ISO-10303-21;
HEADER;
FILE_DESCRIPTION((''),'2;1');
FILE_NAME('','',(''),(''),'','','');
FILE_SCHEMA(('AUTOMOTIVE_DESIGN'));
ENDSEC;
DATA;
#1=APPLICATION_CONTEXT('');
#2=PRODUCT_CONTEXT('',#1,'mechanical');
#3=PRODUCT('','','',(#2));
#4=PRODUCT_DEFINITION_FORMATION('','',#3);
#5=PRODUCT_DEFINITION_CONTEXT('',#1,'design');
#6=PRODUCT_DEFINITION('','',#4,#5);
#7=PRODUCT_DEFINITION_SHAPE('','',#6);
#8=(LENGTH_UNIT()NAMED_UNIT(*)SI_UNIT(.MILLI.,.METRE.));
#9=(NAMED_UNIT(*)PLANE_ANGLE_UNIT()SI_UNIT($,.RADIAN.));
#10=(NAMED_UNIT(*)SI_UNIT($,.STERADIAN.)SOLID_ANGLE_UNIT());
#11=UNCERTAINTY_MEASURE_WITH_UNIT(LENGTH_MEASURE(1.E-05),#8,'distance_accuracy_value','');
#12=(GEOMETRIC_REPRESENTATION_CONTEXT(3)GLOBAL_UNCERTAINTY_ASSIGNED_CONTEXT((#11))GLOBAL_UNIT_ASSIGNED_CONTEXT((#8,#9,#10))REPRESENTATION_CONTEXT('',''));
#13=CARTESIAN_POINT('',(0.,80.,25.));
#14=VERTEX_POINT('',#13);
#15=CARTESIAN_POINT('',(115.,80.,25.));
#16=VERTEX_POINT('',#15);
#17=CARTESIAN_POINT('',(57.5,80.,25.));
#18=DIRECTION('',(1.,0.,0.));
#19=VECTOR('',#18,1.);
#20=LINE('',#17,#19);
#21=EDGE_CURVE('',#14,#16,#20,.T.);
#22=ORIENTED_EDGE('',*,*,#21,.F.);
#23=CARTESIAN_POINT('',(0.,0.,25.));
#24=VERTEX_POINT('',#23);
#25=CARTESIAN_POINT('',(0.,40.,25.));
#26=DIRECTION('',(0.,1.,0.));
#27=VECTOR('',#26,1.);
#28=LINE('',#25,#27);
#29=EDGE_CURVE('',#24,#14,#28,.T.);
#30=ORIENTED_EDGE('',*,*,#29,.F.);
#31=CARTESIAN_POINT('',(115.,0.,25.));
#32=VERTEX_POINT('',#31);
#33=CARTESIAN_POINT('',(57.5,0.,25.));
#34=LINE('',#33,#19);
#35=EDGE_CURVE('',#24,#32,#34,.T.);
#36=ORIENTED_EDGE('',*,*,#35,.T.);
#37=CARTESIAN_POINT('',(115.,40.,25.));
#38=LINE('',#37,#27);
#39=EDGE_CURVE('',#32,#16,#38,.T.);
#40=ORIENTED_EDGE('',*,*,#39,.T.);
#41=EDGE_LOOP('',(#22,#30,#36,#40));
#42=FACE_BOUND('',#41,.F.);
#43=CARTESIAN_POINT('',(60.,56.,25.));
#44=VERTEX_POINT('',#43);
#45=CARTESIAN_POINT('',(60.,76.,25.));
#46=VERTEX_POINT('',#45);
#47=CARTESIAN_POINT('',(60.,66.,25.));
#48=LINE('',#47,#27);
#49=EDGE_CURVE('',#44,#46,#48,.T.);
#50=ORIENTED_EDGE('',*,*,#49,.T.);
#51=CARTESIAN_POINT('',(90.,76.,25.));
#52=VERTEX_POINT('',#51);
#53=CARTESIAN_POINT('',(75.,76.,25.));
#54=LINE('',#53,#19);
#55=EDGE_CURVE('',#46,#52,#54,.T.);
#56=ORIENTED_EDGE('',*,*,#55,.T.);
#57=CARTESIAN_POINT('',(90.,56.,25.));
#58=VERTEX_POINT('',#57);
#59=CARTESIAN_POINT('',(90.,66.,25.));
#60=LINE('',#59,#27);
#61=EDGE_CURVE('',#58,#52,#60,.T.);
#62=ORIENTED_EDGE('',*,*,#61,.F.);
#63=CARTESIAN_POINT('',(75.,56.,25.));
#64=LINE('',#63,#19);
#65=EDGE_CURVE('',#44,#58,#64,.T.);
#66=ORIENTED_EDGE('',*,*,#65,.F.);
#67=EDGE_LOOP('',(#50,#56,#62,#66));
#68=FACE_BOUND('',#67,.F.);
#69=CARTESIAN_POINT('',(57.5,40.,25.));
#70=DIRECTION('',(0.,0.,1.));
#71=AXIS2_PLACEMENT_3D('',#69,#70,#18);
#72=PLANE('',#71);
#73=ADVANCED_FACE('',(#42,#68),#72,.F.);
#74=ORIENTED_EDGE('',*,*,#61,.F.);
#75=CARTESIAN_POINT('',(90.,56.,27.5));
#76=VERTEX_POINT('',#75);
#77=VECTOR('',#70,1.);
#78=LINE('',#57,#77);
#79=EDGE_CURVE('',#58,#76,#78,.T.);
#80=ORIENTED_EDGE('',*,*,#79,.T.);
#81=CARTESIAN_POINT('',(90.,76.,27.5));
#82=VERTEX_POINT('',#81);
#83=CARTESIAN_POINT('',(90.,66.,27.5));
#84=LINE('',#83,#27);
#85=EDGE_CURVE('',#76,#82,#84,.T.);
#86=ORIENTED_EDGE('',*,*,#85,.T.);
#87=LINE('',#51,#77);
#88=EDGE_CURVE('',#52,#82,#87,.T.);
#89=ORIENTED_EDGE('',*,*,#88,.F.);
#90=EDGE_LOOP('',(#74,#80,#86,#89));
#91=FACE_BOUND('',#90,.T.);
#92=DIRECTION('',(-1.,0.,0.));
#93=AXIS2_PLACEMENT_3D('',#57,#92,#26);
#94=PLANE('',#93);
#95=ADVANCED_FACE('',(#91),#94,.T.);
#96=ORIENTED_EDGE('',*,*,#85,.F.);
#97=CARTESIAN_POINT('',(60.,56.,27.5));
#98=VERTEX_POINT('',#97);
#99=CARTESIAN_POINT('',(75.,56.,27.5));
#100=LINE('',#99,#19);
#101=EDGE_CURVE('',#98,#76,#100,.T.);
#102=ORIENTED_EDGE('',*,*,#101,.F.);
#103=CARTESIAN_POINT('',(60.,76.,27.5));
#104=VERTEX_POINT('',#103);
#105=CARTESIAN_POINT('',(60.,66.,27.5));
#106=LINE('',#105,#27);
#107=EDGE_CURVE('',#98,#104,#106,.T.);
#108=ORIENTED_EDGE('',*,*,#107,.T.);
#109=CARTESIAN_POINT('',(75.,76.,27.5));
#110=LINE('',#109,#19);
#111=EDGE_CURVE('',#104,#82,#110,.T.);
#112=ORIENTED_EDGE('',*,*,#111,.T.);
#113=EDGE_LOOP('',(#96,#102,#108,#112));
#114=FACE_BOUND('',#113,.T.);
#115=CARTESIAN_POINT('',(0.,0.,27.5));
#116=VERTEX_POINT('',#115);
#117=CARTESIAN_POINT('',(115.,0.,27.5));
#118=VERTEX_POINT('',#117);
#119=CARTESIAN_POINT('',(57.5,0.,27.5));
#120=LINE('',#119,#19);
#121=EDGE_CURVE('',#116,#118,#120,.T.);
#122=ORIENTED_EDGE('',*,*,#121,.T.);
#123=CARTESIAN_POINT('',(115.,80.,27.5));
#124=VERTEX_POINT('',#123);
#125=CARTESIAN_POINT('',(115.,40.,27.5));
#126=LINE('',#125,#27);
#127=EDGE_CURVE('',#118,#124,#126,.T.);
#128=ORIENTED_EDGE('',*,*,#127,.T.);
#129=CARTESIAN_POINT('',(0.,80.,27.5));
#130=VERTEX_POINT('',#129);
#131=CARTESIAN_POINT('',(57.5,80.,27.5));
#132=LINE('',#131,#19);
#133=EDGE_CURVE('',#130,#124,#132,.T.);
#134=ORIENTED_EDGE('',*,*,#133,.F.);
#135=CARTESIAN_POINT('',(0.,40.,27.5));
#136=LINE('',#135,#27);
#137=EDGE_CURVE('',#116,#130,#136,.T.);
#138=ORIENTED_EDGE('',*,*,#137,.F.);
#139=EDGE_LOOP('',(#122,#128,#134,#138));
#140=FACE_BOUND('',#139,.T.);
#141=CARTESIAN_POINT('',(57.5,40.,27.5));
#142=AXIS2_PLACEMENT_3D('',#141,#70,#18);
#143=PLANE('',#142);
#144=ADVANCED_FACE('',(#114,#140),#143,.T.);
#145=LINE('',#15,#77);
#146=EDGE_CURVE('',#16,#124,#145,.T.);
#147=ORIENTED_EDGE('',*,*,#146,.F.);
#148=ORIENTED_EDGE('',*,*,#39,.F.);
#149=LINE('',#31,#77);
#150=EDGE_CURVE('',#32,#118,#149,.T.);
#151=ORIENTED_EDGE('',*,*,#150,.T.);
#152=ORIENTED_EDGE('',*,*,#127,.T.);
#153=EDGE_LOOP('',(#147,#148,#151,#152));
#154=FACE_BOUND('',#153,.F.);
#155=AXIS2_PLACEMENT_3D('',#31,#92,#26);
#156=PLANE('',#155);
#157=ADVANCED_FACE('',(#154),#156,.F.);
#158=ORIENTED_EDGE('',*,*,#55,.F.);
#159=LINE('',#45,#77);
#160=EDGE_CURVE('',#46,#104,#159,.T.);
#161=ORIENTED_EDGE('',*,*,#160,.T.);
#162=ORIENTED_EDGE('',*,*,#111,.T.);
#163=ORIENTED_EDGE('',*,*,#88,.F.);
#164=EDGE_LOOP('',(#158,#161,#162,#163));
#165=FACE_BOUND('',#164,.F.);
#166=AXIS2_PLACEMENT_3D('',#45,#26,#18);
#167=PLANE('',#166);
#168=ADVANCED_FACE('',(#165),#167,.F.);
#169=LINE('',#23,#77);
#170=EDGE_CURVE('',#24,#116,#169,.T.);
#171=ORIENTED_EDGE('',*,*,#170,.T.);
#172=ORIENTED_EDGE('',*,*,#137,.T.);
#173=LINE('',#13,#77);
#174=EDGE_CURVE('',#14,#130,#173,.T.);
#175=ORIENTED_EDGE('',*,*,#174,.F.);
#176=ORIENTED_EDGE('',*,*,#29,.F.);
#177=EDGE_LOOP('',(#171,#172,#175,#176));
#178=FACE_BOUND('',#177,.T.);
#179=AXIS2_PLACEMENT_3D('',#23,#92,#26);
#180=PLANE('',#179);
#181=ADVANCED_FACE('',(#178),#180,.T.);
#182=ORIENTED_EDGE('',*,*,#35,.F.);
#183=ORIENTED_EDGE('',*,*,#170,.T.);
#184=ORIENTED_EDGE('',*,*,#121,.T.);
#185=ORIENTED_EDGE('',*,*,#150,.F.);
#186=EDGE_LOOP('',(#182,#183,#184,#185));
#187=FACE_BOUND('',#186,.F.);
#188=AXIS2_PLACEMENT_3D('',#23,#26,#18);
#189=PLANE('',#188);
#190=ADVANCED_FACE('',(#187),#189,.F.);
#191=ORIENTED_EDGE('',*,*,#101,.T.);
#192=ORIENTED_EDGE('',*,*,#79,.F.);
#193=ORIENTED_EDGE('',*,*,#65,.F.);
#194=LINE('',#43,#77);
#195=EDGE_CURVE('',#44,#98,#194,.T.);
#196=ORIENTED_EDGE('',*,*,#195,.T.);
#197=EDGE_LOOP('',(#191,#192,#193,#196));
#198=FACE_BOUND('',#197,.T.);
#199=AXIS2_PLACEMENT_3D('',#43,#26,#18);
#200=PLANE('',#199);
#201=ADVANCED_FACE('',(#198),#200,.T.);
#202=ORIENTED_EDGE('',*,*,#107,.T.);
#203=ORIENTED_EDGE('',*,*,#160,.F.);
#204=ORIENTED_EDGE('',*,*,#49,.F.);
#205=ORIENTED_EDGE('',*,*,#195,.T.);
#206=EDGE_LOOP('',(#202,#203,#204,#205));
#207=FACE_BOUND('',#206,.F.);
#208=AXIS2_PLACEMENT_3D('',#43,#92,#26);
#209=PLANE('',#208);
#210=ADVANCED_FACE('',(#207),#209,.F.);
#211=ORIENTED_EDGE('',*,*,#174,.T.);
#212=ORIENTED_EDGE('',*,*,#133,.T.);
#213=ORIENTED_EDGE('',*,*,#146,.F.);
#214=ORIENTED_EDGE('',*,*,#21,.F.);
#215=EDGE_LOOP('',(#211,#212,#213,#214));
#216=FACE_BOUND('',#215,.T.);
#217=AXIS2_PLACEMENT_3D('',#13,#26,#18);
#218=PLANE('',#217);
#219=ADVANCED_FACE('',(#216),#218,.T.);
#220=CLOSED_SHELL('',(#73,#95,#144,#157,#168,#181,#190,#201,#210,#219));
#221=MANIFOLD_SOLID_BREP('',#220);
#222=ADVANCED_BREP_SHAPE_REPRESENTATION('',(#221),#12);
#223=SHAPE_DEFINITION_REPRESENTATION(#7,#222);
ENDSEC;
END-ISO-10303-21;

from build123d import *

# Parameters (mm, degrees)
BOX013_W     = 30
BOX013_H     = 20
BOX013_DEPTH = 2.5
BOX012_W     = 115
BOX012_H     = 80
BOX012_DEPTH = 2.5


with BuildPart() as cubo005:
    # Box013 → Box013 (new body)
    with BuildSketch(Plane(origin=(60, 56, 25), x_dir=(1, 0, 0), z_dir=(0, 0, 1))):
        with Locations((15, 10)):
            Rectangle(BOX013_W, BOX013_H)
    extrude(amount=BOX013_DEPTH)


with BuildPart() as cut017:
    # Box012 → Box012 (new body)
    with BuildSketch(Plane.XY.offset(25)):
        with Locations((57.5, 40)):
            Rectangle(BOX012_W, BOX012_H)
    extrude(amount=BOX012_DEPTH)

    # Cut017: cut Cubo005
    add(cubo005.part, mode=Mode.SUBTRACT)


solid = cut017.part
